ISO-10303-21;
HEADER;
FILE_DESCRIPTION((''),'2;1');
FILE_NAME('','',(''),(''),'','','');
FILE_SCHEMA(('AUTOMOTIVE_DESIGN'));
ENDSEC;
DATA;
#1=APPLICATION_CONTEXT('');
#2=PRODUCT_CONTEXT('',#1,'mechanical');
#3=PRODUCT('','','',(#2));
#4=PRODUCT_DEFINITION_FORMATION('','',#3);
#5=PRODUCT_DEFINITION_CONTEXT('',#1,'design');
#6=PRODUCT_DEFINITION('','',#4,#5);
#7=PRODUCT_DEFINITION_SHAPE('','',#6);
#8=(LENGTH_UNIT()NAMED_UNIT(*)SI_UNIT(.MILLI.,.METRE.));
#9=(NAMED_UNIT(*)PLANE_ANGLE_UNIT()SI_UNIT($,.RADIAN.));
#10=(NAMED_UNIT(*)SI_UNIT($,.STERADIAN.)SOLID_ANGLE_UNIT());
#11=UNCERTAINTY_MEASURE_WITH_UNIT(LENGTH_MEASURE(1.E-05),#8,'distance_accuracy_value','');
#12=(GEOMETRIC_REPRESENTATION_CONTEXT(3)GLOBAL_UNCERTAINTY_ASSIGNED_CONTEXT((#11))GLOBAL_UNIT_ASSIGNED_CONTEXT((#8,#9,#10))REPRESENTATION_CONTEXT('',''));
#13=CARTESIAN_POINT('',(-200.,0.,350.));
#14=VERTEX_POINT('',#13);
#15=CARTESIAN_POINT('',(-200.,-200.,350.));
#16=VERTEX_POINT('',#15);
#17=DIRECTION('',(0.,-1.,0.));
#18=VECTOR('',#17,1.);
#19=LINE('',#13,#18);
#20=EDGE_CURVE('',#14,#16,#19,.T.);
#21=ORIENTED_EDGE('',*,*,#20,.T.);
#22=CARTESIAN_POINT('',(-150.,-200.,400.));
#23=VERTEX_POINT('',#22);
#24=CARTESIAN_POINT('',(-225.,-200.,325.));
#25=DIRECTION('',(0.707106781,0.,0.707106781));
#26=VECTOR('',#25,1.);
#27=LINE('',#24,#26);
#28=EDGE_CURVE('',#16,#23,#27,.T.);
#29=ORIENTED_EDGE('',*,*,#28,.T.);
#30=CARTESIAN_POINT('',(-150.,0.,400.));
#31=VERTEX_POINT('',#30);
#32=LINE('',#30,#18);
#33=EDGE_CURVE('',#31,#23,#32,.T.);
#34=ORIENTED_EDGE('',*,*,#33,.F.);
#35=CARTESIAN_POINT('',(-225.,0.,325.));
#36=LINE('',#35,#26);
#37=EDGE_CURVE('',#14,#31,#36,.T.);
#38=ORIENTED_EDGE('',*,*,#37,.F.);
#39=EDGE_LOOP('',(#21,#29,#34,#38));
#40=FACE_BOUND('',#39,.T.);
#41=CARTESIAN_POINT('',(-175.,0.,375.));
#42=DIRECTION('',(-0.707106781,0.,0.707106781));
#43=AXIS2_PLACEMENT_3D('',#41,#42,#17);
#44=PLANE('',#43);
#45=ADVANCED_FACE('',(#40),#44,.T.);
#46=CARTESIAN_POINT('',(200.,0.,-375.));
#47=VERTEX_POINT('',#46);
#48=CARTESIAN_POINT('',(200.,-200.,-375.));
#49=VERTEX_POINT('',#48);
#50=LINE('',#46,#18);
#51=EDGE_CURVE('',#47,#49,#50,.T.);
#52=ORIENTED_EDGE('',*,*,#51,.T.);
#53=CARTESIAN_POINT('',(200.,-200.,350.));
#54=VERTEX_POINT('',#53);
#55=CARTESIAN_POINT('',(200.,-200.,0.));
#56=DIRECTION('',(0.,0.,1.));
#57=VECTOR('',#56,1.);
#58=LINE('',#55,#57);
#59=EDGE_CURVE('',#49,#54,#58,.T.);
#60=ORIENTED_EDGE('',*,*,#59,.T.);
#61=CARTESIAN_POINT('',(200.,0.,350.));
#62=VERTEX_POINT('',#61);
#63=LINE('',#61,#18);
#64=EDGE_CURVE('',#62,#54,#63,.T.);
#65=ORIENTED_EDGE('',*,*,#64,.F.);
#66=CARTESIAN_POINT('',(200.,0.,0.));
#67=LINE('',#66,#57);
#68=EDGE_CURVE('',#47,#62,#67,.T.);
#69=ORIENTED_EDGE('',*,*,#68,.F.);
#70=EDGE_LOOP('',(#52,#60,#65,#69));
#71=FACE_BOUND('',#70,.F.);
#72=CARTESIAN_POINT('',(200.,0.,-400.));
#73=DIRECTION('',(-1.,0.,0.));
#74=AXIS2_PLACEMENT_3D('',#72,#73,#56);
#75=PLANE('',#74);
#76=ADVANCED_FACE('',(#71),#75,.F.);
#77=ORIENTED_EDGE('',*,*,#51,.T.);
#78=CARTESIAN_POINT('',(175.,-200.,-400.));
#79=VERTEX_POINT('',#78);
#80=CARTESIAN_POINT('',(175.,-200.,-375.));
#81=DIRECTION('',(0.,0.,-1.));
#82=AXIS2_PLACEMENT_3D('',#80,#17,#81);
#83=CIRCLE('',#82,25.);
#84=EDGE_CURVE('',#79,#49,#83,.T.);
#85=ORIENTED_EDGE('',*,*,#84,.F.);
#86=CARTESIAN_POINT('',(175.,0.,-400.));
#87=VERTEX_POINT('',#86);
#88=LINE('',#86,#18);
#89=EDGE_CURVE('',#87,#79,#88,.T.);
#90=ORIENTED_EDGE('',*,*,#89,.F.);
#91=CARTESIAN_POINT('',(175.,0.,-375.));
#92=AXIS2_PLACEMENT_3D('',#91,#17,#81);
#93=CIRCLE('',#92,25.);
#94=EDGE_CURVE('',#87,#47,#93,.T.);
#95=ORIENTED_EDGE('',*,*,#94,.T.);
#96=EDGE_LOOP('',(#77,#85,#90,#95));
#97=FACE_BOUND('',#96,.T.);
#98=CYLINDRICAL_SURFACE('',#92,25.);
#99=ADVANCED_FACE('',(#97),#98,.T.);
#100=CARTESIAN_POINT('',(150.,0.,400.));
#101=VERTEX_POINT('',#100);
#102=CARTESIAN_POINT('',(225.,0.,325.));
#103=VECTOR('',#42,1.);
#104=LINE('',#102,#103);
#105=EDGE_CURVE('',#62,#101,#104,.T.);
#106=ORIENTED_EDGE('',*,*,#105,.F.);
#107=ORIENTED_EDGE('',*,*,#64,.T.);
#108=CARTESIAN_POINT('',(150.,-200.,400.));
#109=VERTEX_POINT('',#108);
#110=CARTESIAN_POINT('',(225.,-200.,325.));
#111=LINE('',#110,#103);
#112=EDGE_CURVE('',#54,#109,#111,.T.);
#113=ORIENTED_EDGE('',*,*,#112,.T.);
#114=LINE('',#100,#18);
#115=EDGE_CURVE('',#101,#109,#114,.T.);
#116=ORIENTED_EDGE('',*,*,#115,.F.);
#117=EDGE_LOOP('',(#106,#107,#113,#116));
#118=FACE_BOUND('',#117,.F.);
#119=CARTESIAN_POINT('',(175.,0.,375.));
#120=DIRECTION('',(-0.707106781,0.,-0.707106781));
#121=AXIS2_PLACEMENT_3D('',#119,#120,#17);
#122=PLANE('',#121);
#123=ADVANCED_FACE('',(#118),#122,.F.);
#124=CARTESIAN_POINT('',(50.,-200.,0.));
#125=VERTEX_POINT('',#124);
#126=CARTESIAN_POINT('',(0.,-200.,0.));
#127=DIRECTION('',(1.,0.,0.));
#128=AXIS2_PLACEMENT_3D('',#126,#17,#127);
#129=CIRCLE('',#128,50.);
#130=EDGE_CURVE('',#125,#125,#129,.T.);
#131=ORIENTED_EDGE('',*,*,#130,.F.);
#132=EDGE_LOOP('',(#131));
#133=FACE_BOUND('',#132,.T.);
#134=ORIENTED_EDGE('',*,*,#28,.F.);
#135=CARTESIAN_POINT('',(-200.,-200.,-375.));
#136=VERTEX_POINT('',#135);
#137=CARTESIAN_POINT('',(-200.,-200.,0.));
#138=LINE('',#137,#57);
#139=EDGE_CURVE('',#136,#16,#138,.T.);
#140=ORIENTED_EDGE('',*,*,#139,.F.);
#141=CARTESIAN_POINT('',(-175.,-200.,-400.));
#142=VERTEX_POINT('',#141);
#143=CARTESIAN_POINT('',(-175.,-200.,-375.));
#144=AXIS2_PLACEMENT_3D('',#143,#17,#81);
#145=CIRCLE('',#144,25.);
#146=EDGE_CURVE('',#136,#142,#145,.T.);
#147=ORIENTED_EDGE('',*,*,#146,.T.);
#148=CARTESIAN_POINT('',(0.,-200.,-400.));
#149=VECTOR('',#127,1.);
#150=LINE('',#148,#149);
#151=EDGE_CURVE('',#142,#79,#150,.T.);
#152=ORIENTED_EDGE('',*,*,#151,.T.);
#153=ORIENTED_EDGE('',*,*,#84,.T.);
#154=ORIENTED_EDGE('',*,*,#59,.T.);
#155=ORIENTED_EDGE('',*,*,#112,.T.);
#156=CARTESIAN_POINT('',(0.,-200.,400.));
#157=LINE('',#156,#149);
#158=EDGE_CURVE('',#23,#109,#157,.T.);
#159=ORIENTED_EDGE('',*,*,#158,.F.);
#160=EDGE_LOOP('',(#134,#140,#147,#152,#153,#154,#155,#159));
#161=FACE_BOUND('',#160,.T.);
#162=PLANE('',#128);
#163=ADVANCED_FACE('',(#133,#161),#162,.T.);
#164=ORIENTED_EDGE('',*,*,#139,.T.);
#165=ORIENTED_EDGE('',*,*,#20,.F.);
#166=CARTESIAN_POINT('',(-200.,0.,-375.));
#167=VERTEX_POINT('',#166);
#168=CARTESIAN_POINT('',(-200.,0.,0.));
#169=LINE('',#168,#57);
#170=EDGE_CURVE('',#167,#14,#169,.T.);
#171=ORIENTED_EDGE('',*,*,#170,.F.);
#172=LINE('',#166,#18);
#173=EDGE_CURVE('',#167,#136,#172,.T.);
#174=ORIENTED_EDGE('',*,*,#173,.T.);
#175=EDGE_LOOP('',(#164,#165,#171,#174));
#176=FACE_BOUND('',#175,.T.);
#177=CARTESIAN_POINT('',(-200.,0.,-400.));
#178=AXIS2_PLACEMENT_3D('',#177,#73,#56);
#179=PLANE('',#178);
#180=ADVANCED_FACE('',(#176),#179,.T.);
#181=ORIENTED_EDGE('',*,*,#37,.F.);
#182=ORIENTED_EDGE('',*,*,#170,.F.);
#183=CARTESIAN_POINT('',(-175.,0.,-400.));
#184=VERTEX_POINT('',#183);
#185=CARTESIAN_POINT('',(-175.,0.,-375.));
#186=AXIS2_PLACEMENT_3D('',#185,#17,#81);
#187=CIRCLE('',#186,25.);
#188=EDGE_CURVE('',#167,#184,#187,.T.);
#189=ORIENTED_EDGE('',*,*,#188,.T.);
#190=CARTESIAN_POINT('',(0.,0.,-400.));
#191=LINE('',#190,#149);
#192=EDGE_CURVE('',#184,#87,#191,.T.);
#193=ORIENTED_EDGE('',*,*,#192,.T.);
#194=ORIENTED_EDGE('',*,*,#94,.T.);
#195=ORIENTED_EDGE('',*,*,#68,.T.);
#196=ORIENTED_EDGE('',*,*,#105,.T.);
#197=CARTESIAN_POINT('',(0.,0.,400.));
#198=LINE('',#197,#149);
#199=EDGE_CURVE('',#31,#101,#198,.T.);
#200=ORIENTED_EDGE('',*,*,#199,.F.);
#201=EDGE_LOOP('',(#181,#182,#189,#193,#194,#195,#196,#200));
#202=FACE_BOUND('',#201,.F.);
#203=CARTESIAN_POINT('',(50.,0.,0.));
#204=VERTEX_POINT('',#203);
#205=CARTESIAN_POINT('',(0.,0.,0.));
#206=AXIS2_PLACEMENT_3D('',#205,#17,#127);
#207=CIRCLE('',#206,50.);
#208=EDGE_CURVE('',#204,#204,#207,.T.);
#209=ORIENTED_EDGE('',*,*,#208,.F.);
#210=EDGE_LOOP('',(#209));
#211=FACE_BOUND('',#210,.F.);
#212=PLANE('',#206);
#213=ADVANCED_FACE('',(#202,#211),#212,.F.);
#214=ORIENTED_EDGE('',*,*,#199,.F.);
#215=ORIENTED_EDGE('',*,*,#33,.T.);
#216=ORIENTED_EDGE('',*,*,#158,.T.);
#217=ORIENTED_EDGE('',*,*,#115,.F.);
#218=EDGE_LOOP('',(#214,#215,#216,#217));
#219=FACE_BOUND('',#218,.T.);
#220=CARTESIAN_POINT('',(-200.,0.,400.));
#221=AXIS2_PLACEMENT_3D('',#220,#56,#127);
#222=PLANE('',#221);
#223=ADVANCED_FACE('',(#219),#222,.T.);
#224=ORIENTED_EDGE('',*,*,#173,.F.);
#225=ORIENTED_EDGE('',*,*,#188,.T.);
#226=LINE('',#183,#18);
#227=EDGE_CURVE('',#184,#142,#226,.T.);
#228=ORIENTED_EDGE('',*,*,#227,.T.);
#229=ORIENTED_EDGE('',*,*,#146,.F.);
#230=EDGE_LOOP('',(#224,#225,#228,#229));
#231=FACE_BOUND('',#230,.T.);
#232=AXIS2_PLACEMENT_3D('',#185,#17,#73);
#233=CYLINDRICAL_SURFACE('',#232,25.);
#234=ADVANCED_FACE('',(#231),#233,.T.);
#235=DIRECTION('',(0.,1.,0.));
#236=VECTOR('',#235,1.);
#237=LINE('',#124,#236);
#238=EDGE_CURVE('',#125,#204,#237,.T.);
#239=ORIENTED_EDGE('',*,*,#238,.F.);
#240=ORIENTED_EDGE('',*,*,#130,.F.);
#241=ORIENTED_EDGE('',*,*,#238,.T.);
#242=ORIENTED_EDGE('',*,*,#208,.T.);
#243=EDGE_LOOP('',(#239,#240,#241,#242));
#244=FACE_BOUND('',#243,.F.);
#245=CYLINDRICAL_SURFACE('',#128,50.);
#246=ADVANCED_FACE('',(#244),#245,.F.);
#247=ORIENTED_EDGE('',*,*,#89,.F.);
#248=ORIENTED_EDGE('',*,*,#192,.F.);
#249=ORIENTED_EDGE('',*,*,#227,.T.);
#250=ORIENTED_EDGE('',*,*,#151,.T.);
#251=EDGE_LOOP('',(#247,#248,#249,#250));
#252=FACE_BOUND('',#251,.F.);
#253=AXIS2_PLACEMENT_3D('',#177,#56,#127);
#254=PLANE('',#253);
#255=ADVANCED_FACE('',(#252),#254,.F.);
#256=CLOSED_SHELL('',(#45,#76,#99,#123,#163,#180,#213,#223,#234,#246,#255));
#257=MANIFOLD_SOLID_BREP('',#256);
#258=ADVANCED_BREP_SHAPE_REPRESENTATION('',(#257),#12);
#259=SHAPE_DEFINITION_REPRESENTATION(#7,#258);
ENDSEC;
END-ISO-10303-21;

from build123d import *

# Parameters (mm, degrees)
F0_W     = 400
F0_H     = 800
F1_DEPTH = 200
F2_SIZE  = 50
F3_R     = 25
F4_R     = 50
F5_DEPTH = 200.001


with BuildPart() as f1:
    # F0 (on Front) → F1 (new body)
    with BuildSketch(Plane.XZ):
        Rectangle(F0_W, F0_H)
    extrude(amount=F1_DEPTH)

    # F2
    f2_edges = [f1.edges().sort_by_distance(p)[0] for p in [
        (200, -100, 400),
        (-200, -100, 400),
    ]]
    chamfer(f2_edges, length=F2_SIZE)

    # F3
    f3_edges = [f1.edges().sort_by_distance(p)[0] for p in [
        (-200, -100, -400),
        (200, -100, -400),
    ]]
    fillet(f3_edges, radius=F3_R)

    # F4 (on face) → F5 (cut, through all)
    with BuildSketch(Plane.XZ.offset(200)):
        Circle(F4_R)
    extrude(amount=-F5_DEPTH, mode=Mode.SUBTRACT)


solid = f1.part
